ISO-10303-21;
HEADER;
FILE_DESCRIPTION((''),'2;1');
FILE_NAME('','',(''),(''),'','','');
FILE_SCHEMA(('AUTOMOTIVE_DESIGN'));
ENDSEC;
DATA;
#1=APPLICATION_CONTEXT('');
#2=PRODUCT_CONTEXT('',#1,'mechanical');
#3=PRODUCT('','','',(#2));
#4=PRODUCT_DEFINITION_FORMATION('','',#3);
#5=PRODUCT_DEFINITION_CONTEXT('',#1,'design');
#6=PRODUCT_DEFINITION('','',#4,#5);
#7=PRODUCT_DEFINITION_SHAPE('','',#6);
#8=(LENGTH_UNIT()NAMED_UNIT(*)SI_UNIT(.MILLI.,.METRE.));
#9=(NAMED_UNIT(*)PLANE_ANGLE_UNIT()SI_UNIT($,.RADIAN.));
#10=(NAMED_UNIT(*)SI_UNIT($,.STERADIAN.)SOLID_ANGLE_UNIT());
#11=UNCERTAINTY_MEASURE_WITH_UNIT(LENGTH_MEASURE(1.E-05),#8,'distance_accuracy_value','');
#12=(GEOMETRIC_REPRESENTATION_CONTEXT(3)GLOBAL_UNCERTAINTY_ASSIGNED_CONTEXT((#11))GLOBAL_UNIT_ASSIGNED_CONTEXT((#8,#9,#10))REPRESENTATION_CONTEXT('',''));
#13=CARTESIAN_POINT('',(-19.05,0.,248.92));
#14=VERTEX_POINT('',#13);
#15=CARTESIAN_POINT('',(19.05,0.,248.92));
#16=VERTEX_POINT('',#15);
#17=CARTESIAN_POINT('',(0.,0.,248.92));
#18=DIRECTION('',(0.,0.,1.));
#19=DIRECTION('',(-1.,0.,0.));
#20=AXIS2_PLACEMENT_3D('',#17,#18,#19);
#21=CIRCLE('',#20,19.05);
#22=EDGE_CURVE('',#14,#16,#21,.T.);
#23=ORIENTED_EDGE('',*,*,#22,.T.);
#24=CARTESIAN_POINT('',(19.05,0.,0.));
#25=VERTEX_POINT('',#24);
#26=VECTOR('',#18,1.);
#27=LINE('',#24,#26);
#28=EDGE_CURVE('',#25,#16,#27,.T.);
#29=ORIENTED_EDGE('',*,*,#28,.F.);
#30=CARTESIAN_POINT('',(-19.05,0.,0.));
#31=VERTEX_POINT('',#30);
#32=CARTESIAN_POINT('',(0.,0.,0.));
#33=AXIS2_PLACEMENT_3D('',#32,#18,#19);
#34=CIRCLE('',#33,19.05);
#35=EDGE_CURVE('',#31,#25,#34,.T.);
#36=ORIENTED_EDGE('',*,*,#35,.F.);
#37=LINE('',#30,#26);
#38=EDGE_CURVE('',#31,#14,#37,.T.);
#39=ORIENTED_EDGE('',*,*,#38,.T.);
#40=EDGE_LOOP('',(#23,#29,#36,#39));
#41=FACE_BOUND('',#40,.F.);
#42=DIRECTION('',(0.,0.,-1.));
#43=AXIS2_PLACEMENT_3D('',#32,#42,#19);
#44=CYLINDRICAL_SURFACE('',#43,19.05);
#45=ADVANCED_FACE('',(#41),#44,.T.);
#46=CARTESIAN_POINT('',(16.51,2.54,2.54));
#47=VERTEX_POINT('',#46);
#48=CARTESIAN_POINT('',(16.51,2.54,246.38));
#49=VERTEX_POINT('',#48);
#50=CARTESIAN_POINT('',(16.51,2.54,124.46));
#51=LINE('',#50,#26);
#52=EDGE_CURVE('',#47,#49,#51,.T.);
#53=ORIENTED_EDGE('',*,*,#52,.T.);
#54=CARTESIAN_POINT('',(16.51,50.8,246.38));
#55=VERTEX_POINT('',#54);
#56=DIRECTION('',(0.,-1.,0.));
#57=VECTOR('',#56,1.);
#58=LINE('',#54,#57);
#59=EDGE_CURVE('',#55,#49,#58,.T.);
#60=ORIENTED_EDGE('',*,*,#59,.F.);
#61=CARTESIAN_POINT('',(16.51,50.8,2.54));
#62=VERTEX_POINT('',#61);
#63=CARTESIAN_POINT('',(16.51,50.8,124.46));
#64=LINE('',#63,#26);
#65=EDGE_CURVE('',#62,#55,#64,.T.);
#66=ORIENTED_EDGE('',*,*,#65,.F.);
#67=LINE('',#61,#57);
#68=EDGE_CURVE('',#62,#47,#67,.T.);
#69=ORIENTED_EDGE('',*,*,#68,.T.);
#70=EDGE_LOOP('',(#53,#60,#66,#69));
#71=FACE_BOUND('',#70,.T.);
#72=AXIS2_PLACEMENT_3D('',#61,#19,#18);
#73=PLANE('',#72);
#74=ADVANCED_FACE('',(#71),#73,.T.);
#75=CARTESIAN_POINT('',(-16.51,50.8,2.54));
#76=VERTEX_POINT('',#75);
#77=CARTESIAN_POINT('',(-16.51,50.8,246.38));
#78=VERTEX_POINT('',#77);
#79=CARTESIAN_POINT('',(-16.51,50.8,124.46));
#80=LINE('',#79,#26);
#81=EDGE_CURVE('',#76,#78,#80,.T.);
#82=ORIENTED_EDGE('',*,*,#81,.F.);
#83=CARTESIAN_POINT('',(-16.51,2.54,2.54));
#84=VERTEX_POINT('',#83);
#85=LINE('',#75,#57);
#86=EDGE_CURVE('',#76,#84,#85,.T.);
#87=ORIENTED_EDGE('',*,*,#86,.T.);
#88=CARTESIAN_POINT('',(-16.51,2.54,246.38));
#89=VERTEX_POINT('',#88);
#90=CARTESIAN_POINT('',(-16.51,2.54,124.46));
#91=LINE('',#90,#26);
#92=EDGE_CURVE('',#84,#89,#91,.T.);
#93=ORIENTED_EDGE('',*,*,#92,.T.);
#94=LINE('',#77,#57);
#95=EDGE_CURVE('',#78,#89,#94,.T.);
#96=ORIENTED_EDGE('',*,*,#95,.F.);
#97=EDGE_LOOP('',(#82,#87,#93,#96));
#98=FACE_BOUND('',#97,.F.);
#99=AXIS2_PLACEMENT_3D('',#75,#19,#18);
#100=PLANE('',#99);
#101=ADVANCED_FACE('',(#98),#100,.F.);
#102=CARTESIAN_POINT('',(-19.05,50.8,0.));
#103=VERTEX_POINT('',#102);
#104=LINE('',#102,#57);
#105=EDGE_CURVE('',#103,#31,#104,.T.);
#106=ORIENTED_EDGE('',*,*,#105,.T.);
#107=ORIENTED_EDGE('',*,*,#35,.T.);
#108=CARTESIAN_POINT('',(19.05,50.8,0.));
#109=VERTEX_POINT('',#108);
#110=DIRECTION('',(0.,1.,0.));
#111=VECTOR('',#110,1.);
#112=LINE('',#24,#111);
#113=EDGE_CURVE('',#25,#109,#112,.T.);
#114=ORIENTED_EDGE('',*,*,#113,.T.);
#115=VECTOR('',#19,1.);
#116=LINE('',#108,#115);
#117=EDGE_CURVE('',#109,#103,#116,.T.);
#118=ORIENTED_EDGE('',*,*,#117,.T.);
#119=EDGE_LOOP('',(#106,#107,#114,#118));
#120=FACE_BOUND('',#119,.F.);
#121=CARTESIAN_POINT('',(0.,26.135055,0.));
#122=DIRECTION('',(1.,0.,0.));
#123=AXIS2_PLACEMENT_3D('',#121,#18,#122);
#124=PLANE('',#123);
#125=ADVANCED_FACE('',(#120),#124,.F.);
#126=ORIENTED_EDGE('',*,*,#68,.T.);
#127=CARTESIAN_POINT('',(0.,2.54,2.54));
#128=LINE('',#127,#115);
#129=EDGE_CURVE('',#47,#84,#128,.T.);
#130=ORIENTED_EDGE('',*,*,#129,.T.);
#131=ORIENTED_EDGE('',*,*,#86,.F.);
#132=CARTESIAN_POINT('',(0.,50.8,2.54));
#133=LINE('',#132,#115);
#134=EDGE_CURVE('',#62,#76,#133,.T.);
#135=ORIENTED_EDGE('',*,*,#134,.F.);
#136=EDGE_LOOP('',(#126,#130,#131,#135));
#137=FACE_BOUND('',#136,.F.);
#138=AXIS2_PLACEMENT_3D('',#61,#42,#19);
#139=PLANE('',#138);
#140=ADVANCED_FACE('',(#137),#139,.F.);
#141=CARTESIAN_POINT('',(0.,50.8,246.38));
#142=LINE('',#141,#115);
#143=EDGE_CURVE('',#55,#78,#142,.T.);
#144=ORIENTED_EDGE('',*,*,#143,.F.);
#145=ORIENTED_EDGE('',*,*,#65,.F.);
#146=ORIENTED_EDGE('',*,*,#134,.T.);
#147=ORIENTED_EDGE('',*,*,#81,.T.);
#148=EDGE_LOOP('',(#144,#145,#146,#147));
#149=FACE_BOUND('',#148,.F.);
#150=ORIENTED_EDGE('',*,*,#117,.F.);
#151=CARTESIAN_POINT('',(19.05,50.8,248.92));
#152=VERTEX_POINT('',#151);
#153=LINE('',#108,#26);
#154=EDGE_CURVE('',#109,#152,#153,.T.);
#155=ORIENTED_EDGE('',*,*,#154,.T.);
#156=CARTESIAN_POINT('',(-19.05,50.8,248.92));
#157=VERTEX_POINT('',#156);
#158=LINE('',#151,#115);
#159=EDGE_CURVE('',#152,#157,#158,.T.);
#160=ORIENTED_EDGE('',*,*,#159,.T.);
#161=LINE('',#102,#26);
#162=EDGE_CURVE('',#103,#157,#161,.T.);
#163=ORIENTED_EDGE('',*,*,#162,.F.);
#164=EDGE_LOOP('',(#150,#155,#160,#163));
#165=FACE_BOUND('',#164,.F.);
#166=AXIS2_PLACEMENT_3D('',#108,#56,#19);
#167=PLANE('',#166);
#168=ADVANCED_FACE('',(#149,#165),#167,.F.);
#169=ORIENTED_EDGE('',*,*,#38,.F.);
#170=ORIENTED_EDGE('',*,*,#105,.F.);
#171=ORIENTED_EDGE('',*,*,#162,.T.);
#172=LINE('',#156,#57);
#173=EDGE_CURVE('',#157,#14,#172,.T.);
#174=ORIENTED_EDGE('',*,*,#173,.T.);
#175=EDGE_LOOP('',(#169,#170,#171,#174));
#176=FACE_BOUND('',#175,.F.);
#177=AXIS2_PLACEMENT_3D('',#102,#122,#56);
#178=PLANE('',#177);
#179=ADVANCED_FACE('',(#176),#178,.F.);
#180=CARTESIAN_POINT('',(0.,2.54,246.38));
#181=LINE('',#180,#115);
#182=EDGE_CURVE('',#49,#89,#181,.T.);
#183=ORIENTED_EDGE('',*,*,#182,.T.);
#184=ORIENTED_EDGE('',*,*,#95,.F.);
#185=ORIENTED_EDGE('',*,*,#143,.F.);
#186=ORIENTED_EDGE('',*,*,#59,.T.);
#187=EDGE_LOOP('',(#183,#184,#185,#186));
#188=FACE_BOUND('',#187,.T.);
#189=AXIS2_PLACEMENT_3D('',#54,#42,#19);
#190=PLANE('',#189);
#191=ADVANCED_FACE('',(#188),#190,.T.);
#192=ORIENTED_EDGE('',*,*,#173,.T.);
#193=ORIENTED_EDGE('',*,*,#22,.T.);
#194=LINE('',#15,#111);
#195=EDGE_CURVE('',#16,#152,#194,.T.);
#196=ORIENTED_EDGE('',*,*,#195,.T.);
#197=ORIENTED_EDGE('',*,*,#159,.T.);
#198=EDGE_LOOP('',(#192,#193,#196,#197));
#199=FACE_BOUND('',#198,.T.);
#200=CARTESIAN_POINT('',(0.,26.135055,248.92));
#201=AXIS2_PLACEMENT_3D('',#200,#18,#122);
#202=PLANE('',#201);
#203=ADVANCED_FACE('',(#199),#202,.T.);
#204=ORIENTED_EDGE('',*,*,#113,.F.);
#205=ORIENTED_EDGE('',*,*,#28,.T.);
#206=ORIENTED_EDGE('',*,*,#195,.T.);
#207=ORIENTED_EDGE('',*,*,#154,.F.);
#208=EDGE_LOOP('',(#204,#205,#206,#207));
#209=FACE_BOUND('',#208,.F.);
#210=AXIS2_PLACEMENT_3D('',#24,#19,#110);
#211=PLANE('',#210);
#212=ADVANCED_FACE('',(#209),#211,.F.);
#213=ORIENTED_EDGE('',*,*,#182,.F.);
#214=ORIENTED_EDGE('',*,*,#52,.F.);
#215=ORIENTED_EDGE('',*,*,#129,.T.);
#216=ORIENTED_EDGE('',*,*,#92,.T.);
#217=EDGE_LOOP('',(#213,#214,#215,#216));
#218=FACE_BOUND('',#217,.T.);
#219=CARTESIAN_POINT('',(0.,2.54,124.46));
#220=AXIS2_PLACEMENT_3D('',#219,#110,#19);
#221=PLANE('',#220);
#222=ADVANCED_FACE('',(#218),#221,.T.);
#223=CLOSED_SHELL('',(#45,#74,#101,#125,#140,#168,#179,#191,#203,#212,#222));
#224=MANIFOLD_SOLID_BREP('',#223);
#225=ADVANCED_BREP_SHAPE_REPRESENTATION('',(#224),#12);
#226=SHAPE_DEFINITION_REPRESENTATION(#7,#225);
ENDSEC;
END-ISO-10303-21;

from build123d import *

# Parameters (mm, degrees)
F1_DEPTH = 248.92
F2_W     = 33.02
F2_H     = 243.84
F3_DEPTH = 48.26


with BuildPart() as f1:
    # F0 (on Top) → F1 (new body)
    with BuildSketch(Plane.XY):
        with BuildLine():
            ThreePointArc((-19.05, 0), (0, 19.05), (19.05, 0))
            Line((19.05, 0), (19.05, 50.8))
            Line((19.05, 50.8), (-19.05, 50.8))
            Line((-19.05, 50.8), (-19.05, 0))
        make_face()
        with BuildLine():
            Line((-19.05, 0), (19.05, 0))
            ThreePointArc((19.05, 0), (0, 19.05), (-19.05, 0))
        make_face()
        with BuildLine():
            ThreePointArc((-19.05, 0), (0, -19.05), (19.05, 0))
            Line((19.05, 0), (-19.05, 0))
        make_face()
    extrude(amount=F1_DEPTH)

    # F2 (on face) → F3 (cut)
    with BuildSketch(Plane(origin=(0, 50.8, 0), x_dir=(-1, 0, 0), z_dir=(0, 1, 0))):
        with Locations((0, 124.46)):
            Rectangle(F2_W, F2_H)
    extrude(amount=-F3_DEPTH, mode=Mode.SUBTRACT)


solid = f1.part
